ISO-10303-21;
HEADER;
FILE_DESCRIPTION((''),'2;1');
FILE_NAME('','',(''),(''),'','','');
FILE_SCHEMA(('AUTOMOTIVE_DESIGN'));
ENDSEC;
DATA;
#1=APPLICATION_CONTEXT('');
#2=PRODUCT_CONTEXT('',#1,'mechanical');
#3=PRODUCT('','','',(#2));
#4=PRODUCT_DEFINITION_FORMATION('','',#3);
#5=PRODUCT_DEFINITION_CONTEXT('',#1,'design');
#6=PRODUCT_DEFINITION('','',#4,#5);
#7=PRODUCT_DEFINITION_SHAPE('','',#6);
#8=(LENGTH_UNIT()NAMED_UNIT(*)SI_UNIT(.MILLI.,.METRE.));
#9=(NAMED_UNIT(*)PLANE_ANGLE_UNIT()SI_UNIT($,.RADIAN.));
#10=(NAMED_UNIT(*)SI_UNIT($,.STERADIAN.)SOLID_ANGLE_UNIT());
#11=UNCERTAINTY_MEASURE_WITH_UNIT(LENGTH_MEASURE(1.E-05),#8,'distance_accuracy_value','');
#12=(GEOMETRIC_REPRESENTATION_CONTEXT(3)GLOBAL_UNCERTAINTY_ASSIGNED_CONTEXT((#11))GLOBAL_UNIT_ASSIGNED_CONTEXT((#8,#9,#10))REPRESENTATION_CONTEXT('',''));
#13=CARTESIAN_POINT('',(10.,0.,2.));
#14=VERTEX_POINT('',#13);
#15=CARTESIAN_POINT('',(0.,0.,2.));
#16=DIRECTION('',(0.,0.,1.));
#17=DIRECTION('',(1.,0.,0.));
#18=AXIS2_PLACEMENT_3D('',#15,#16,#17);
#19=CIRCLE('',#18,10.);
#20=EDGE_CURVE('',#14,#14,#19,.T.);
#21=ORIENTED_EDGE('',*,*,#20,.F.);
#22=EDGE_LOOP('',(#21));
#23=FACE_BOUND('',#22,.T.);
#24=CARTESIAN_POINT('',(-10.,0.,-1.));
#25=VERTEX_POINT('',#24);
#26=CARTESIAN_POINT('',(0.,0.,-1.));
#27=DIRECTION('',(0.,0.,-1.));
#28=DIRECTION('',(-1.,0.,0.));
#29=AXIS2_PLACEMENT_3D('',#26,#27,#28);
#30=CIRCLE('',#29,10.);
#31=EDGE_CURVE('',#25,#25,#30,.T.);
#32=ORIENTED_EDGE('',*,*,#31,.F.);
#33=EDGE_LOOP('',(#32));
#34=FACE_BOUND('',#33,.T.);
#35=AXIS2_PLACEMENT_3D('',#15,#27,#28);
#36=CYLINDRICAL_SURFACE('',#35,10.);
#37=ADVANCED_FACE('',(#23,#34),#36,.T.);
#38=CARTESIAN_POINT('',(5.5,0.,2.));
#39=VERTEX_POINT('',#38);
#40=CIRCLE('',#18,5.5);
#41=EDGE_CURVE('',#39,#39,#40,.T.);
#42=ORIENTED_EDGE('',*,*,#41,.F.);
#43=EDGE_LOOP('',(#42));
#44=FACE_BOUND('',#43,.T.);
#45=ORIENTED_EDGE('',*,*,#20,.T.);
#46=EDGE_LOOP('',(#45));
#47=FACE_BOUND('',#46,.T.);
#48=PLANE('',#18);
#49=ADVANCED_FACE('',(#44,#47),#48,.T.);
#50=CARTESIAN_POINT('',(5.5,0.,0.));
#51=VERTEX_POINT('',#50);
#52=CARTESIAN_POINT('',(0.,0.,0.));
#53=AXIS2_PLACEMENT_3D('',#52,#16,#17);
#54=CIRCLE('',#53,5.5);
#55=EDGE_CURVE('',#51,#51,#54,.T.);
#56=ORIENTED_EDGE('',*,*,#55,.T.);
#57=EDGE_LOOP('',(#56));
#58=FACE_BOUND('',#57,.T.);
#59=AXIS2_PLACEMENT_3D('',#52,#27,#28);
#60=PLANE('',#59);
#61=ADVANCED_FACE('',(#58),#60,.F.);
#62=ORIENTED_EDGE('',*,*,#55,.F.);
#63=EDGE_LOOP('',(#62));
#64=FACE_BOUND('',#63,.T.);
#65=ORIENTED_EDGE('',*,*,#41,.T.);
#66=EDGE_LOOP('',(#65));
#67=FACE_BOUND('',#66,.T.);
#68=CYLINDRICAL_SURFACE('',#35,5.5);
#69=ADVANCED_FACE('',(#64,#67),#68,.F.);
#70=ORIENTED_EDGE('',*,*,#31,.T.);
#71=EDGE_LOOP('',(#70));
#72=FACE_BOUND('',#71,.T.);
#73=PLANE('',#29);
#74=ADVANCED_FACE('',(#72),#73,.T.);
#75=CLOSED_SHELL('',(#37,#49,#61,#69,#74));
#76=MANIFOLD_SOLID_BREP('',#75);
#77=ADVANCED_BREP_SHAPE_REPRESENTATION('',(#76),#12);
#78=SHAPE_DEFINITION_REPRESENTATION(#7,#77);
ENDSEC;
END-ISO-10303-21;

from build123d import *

# Parameters (mm, degrees)
SKETCH1_R           = 10
SKETCH1_R_2         = 5.5
BOSS_EXTRUDE1_DEPTH = 2
SKETCH2_R           = 10
BOSS_EXTRUDE2_DEPTH = 1


with BuildPart() as part:
    # Sketch1 → Boss-Extrude1 (new body)
    with BuildSketch(Plane.XY):
        Circle(SKETCH1_R)
        Circle(SKETCH1_R_2, mode=Mode.SUBTRACT)
    extrude(amount=BOSS_EXTRUDE1_DEPTH)

    # Sketch2 → Boss-Extrude2 (add)
    with BuildSketch(Plane(origin=(0, 0, 0), x_dir=(-1, 0, 0), z_dir=(0, 0, -1))):
        Circle(SKETCH2_R)
    extrude(amount=BOSS_EXTRUDE2_DEPTH)


solid = part.part
